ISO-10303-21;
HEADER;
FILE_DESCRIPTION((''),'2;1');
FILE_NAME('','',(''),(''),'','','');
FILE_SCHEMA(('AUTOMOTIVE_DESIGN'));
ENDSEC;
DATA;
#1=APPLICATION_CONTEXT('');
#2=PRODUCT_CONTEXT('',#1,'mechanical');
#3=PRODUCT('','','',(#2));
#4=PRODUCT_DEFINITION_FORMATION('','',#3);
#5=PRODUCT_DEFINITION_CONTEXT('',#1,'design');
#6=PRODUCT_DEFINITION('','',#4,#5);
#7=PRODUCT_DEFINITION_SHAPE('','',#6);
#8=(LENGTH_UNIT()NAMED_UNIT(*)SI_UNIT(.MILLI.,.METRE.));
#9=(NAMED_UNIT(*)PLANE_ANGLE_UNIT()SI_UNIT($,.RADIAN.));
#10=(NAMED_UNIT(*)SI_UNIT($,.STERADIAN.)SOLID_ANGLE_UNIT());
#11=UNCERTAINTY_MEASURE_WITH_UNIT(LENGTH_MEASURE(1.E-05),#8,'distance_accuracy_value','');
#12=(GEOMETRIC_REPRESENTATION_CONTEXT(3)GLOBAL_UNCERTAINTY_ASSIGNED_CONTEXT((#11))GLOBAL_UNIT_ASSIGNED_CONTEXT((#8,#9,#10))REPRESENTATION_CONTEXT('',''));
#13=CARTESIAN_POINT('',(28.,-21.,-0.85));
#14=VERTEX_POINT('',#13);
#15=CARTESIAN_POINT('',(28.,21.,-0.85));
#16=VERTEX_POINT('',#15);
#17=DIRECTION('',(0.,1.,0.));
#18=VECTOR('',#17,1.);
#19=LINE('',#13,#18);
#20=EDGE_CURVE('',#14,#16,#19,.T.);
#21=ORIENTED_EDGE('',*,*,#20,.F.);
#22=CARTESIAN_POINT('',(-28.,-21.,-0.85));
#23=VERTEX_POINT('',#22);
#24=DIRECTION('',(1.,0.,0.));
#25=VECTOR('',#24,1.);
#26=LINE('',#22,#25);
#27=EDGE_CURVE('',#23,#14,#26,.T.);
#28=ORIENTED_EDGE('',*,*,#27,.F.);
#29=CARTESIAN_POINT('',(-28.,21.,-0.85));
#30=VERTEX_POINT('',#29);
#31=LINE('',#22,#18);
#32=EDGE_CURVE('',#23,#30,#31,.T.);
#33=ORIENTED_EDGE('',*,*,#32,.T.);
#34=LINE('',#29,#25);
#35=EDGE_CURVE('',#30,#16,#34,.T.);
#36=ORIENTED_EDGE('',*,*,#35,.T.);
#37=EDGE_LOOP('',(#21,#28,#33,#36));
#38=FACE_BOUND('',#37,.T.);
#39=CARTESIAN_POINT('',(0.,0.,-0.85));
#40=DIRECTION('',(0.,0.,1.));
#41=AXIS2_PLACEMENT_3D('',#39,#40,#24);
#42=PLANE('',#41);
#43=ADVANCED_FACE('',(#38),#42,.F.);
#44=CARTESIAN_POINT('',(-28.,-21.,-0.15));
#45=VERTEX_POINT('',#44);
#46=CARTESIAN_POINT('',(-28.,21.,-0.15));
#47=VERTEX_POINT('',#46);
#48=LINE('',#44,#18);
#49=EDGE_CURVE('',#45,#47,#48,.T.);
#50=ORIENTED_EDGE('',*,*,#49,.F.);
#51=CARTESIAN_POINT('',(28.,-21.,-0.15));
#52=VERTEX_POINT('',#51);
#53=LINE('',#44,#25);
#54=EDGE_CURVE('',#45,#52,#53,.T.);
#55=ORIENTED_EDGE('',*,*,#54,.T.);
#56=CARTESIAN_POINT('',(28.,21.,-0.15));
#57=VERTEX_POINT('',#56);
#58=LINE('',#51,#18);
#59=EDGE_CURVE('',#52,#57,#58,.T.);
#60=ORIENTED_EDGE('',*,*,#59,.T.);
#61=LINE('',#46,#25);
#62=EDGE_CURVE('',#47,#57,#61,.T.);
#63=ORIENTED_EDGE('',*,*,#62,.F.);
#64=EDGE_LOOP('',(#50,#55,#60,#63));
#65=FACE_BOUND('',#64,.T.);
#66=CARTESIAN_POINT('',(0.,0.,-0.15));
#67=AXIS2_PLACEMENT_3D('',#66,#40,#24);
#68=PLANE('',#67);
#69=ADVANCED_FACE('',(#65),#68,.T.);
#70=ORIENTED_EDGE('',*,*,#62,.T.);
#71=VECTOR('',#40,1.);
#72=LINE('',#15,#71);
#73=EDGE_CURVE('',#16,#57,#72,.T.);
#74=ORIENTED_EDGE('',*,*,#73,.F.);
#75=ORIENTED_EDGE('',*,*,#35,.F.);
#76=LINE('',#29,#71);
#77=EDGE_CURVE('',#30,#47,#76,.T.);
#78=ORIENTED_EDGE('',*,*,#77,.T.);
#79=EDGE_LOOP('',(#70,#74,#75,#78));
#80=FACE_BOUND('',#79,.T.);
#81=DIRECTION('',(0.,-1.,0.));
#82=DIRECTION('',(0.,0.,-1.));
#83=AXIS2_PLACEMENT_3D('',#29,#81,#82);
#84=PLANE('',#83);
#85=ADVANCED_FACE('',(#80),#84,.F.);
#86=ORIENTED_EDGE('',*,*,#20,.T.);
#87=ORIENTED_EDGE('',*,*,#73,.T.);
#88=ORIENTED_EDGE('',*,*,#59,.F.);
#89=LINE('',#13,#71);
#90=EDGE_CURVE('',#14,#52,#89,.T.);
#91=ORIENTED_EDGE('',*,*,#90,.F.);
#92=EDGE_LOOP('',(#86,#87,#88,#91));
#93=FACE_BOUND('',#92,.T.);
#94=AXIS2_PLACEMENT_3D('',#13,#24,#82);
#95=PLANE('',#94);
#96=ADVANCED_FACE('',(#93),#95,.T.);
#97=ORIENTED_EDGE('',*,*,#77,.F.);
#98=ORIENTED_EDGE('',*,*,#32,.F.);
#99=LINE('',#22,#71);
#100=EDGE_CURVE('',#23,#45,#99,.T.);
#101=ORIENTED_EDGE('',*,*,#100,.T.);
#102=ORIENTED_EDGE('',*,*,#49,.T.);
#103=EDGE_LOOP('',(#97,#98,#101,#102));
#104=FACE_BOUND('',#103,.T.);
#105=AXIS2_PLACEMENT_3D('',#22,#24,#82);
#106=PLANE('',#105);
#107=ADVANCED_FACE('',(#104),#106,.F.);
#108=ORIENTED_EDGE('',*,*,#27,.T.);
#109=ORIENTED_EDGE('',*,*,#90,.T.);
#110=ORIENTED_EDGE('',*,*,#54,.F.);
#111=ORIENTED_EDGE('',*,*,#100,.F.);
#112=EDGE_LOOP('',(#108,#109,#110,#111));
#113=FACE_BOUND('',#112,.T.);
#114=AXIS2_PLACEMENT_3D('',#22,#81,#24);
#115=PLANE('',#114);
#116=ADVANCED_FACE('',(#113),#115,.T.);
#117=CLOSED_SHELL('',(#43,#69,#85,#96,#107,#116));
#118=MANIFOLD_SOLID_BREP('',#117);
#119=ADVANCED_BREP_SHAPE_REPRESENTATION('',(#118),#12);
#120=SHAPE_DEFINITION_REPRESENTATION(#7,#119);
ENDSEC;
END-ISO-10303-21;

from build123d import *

# Parameters (mm, degrees)
SKETCH1_W           = 60
SKETCH1_H           = 80
BOSS_EXTRUDE1_DEPTH = 1
SCALE1_SCALE        = 0.7


with BuildPart() as part:
    # Sketch1 → Boss-Extrude1 (new body)
    with BuildSketch(Plane(origin=(0, 0, 0), x_dir=(0, 1, 0), z_dir=(0, 0, 1))):
        Rectangle(SKETCH1_W, SKETCH1_H)
    extrude(amount=-BOSS_EXTRUDE1_DEPTH)


with BuildPart() as part_1:
    # Scale1: scaled about (0, 0, -0.5)
    add(part.part.scale(SCALE1_SCALE).moved(Location((0, 0, -0.15))))


solid = part_1.part
